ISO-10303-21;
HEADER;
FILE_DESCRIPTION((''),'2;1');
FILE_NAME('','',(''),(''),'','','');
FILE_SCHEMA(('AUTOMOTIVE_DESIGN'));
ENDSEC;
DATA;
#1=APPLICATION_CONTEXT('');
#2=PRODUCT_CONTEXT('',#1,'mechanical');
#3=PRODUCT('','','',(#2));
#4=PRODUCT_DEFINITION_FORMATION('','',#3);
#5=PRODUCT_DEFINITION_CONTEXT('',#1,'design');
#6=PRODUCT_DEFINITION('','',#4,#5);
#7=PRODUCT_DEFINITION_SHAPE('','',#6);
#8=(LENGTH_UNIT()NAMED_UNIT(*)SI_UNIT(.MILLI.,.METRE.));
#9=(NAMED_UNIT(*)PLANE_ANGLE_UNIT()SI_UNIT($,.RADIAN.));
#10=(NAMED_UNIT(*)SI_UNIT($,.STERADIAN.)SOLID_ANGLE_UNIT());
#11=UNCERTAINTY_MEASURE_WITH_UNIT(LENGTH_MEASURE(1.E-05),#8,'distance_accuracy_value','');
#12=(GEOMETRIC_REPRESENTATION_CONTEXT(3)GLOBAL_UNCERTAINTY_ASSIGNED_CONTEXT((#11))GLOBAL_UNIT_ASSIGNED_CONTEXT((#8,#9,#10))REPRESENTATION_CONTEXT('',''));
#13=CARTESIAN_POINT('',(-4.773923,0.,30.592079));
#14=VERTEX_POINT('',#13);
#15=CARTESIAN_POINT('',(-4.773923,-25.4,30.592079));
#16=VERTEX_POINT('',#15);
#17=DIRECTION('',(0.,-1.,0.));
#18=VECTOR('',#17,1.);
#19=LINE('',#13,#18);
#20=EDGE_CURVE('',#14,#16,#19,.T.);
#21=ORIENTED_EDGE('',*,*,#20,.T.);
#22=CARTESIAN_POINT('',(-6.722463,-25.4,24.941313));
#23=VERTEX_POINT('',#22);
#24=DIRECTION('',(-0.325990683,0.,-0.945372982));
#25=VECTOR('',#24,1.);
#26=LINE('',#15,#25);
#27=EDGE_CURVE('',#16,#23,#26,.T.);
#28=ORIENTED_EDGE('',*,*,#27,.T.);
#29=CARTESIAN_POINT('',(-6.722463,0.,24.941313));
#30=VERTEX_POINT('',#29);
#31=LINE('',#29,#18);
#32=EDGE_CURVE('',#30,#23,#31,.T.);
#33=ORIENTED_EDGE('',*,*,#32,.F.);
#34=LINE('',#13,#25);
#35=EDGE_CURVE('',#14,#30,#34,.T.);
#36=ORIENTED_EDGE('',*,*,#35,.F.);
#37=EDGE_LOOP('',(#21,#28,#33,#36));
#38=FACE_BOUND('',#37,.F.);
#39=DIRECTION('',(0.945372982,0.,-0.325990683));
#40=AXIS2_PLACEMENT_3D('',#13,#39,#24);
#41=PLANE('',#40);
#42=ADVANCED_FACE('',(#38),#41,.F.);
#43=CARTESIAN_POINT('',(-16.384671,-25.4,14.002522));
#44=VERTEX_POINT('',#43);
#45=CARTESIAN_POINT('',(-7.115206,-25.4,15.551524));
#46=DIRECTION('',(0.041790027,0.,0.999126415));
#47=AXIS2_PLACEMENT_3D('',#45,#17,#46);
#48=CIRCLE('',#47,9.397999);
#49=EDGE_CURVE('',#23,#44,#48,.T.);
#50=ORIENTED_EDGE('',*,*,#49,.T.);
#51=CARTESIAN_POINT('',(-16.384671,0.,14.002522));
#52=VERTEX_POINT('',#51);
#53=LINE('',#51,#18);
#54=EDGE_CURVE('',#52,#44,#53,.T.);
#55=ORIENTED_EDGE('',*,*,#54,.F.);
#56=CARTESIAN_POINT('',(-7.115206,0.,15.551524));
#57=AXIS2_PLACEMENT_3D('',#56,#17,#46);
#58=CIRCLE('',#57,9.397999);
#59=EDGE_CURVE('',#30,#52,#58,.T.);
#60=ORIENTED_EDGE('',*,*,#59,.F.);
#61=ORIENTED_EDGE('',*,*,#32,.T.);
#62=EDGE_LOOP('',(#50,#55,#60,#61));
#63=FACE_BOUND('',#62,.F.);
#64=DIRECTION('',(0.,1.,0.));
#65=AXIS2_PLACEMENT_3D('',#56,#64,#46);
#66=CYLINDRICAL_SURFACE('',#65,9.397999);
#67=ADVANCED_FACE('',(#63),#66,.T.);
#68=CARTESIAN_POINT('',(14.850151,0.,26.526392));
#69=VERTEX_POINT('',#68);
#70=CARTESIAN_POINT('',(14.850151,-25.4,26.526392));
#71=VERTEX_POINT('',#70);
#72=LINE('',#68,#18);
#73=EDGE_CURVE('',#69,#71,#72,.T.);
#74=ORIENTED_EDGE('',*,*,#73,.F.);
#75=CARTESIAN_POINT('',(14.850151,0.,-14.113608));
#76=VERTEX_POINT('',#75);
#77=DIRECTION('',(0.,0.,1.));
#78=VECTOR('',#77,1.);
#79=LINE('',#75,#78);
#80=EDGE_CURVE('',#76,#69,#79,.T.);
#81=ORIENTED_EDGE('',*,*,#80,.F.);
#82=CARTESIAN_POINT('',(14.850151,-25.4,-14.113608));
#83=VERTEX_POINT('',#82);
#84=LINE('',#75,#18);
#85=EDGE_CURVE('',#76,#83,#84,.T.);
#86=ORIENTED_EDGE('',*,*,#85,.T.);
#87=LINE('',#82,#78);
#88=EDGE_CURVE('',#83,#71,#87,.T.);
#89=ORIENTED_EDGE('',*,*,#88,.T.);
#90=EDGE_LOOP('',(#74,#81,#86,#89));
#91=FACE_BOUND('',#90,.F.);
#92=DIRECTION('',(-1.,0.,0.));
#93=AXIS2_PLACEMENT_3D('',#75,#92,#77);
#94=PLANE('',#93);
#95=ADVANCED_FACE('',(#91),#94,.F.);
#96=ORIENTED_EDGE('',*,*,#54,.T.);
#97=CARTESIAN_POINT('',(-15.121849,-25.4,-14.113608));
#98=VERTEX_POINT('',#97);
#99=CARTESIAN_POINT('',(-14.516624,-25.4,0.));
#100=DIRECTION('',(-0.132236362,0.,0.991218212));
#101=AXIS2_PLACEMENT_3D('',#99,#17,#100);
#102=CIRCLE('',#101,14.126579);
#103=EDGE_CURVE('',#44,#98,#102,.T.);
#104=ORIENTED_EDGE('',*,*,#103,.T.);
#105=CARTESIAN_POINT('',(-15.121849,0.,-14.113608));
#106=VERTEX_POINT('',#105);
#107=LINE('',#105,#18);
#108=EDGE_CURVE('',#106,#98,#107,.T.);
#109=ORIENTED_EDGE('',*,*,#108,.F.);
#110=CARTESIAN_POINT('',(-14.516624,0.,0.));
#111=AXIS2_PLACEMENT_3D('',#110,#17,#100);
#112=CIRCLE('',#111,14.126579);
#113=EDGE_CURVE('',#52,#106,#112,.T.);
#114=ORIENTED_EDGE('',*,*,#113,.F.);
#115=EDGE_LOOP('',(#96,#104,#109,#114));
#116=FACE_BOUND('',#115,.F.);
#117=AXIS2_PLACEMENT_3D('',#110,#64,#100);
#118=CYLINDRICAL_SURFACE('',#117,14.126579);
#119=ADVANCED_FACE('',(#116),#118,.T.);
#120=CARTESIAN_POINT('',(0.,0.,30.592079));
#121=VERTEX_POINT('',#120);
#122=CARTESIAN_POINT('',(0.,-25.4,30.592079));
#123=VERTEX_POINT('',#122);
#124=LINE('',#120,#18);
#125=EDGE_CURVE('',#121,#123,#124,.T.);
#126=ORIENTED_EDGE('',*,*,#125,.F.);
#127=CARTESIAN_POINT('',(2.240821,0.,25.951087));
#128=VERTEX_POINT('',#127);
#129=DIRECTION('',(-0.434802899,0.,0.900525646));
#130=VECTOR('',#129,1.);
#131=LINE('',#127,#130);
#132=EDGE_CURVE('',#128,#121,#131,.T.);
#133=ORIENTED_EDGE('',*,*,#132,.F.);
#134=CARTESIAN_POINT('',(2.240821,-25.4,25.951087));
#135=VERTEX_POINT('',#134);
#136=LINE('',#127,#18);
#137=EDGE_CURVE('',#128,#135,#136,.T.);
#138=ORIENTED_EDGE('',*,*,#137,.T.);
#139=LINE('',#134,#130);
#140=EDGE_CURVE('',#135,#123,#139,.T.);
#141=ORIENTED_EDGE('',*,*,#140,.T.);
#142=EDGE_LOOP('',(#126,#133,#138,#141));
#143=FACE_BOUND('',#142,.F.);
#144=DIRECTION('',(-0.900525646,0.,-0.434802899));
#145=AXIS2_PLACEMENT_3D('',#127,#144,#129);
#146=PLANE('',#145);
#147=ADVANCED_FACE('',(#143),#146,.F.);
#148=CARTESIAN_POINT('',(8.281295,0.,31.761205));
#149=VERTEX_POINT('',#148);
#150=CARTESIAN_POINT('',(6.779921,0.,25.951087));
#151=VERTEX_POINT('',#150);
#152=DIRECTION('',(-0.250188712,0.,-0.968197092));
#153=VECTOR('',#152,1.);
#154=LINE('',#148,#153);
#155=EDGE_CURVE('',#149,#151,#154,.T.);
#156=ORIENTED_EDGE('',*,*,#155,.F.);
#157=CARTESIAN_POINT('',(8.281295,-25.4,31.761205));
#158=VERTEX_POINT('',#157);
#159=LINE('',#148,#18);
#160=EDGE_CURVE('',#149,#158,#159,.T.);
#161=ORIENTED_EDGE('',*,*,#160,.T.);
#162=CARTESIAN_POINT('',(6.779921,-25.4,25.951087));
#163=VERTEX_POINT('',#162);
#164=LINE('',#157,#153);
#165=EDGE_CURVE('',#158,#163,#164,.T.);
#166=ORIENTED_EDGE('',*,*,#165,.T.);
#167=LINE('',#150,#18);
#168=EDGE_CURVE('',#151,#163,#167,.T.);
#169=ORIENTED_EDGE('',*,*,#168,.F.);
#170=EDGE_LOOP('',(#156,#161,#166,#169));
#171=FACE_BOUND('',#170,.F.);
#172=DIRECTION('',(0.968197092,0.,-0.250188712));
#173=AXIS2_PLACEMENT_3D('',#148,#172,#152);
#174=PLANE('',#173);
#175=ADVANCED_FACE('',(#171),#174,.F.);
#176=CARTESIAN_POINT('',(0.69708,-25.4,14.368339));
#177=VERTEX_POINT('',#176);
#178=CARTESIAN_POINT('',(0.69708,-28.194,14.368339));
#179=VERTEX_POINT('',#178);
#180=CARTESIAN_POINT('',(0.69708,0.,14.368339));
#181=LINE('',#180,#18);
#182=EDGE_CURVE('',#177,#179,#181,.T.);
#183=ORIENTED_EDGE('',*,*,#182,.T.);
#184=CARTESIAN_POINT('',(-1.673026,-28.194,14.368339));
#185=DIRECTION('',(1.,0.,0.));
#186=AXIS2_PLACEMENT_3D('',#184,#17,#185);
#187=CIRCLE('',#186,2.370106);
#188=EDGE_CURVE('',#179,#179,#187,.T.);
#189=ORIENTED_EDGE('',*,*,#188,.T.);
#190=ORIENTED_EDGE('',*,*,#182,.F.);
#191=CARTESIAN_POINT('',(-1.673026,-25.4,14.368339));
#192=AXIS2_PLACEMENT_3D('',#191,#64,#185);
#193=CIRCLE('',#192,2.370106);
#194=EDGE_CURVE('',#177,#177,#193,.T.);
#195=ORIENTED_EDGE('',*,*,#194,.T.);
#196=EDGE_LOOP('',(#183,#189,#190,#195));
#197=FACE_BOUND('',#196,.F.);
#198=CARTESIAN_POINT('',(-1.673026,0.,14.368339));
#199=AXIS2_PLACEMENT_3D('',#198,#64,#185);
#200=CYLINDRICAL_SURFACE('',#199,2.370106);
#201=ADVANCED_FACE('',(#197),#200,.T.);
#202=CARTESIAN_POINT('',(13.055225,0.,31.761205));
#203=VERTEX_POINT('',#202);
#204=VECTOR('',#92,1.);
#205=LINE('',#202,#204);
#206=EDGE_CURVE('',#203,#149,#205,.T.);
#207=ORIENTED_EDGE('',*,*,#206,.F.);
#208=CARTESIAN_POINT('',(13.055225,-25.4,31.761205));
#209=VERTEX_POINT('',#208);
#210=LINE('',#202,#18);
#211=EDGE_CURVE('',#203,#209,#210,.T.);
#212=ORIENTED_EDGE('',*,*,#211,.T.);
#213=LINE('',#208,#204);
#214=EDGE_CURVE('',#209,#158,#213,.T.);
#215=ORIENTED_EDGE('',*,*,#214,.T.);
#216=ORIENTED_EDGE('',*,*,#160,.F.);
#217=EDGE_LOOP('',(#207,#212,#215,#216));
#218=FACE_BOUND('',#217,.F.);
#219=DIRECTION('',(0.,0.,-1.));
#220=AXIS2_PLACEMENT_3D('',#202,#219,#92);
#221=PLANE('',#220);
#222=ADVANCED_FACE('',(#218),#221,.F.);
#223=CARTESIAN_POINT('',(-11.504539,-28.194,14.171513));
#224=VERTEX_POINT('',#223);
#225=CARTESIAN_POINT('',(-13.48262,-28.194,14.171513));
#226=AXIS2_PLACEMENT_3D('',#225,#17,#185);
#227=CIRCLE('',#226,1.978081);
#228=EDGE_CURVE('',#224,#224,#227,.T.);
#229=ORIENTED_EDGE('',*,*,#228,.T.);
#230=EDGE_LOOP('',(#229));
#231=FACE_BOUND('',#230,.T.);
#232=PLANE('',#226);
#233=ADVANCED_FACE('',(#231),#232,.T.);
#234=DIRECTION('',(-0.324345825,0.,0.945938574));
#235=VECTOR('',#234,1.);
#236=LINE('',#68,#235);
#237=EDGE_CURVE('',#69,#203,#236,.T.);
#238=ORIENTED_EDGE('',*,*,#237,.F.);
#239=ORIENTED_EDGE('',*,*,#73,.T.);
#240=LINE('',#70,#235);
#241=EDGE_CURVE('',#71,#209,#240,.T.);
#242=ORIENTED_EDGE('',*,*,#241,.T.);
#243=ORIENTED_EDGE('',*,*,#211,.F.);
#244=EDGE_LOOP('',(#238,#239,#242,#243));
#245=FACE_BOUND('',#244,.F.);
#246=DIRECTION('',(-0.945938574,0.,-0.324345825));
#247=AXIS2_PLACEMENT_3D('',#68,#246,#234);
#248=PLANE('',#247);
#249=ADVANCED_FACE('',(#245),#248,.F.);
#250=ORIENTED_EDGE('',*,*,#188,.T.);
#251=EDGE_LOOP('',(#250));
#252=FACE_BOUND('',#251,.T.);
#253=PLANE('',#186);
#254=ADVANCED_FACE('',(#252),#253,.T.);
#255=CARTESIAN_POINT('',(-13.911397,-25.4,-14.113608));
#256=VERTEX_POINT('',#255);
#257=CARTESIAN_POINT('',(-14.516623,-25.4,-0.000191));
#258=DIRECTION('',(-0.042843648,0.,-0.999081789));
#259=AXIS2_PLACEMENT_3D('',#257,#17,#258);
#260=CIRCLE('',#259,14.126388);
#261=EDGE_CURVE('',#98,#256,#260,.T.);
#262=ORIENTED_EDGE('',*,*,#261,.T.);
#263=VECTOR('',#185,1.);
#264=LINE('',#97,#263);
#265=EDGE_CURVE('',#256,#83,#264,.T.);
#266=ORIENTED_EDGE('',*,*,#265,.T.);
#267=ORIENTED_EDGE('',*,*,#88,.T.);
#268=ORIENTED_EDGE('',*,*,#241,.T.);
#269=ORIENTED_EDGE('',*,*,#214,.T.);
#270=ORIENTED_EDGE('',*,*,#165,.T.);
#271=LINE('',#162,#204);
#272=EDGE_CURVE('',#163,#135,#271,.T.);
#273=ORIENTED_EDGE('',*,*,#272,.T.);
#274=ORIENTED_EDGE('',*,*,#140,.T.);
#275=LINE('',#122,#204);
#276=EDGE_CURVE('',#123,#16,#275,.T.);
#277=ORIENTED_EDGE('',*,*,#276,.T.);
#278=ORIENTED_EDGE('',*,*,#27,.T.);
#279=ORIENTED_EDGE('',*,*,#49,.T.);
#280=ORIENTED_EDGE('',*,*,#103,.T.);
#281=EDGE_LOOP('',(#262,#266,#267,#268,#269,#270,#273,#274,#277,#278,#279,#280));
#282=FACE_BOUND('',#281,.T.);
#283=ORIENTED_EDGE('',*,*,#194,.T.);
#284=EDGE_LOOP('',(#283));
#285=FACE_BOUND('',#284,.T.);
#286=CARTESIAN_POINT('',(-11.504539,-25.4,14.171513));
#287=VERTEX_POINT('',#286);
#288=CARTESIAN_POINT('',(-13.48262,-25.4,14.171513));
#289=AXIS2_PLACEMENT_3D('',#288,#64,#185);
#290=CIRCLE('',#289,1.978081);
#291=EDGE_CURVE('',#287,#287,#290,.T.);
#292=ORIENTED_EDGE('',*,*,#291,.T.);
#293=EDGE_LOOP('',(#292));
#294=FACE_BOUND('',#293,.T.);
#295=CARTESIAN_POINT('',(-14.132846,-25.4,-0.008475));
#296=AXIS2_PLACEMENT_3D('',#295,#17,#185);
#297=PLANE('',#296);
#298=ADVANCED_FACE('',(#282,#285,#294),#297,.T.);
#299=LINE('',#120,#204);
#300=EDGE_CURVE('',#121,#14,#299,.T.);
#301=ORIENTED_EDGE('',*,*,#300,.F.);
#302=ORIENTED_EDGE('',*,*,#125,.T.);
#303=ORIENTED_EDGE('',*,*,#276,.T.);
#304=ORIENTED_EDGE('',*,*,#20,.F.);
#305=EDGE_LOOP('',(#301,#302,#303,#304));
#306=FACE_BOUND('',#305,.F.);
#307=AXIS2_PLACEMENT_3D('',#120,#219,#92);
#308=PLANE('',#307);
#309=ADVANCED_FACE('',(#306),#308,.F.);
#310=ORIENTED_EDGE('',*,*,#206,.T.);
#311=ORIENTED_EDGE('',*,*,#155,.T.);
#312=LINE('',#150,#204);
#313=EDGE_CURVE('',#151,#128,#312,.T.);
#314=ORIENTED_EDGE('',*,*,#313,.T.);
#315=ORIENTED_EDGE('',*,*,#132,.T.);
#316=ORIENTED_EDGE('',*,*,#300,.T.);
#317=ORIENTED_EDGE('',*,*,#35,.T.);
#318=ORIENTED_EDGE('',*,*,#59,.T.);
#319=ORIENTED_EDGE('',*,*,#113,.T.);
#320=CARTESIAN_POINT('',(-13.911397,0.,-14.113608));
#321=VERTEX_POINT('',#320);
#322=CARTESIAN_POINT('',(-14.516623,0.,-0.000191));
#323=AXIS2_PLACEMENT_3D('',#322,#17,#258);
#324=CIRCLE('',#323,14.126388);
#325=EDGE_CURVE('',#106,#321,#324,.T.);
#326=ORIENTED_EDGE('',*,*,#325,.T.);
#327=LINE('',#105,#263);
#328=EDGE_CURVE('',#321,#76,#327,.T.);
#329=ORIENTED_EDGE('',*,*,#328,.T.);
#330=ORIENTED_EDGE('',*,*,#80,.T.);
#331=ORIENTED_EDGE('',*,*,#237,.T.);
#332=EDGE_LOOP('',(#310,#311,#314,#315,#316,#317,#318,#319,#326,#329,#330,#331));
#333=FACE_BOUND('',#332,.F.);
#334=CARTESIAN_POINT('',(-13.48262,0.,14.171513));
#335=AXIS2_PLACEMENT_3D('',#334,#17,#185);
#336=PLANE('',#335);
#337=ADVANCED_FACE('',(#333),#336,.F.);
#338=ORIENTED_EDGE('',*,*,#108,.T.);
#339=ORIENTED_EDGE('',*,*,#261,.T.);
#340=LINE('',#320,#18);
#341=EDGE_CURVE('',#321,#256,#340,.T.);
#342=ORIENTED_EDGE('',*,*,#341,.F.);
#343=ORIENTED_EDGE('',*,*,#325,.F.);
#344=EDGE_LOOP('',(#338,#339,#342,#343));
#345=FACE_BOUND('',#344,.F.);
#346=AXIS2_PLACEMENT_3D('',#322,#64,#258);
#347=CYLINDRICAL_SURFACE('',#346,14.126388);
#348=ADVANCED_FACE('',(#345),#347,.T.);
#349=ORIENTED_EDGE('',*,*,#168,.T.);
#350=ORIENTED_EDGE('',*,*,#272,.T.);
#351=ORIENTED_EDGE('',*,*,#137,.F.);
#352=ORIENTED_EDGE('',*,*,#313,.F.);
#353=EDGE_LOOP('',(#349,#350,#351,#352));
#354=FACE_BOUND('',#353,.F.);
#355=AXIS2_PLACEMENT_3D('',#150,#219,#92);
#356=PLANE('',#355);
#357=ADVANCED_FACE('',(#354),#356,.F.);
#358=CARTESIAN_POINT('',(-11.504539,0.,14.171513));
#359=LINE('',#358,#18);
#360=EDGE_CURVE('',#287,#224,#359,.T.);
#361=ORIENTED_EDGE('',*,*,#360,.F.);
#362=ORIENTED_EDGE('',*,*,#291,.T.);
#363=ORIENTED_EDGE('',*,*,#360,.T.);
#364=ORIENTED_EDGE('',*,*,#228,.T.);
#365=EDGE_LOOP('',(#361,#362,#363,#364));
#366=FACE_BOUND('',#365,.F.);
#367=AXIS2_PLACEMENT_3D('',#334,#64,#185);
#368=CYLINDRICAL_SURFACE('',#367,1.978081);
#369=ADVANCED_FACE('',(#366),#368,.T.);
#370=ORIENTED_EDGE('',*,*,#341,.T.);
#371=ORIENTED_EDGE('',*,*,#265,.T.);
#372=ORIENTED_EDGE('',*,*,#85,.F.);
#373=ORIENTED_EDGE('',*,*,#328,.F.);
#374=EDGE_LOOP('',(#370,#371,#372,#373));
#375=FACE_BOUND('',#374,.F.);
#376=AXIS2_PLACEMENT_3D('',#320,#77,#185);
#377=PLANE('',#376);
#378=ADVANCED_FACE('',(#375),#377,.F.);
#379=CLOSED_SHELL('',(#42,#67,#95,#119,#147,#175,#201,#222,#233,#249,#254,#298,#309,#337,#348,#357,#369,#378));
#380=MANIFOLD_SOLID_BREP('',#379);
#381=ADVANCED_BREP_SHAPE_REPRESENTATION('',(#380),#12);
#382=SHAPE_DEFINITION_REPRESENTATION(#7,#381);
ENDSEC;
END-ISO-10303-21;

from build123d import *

# Parameters (mm, degrees)
F1_DEPTH = 25.4
F2_R     = 1.978081
F2_R_2   = 2.370106
F3_DEPTH = 28.194


with BuildPart() as f1:
    # F0 (on Front) → F1 (new body)
    with BuildSketch(Plane.XZ):
        with BuildLine():
            ThreePointArc((-13.911397, -14.113608), (-4.315888, -9.772678), (-0.390044, 0))
            ThreePointArc((-0.390044, 0), (-5.211487, 10.628955), (-16.384671, 14.002522))
            ThreePointArc((-16.384671, 14.002522), (-28.628975, -0.633849), (-15.121849, -14.113608))
            Line((-15.121849, -14.113608), (-13.911397, -14.113608))
        make_face()
        with BuildLine():
            ThreePointArc((-16.384671, 14.002522), (-5.211487, 10.628955), (-0.390044, 0))
            ThreePointArc((-0.390044, 0), (-4.315888, -9.772678), (-13.911397, -14.113608))
            Line((-13.911397, -14.113608), (14.850151, -14.113608))
            Line((14.850151, -14.113608), (14.850151, 6.206392))
            Line((14.850151, 6.206392), (14.850151, 26.526392))
            Line((14.850151, 26.526392), (13.055225, 31.761205))
            Line((13.055225, 31.761205), (8.281295, 31.761205))
            Line((8.281295, 31.761205), (6.779921, 25.951087))
            Line((6.779921, 25.951087), (2.240821, 25.951087))
            Line((2.240821, 25.951087), (0, 30.592079))
            Line((0, 30.592079), (-4.773923, 30.592079))
            Line((-4.773923, 30.592079), (-6.722463, 24.941313))
            ThreePointArc((-6.722463, 24.941313), (-14.158879, 21.773184), (-16.384671, 14.002522))
        make_face()
        with BuildLine():
            ThreePointArc((-15.121849, -14.113608), (-14.516623, -14.126579), (-13.911397, -14.113608))
            Line((-13.911397, -14.113608), (-15.121849, -14.113608))
        make_face()
    extrude(amount=F1_DEPTH)

    # F2 (on Front) → F3 (join)
    with BuildSketch(Plane.XZ):
        with Locations((-13.48262, 14.171513)):
            Circle(F2_R)
        with Locations((-1.673026, 14.368339)):
            Circle(F2_R_2)
    extrude(amount=F3_DEPTH)


solid = f1.part
